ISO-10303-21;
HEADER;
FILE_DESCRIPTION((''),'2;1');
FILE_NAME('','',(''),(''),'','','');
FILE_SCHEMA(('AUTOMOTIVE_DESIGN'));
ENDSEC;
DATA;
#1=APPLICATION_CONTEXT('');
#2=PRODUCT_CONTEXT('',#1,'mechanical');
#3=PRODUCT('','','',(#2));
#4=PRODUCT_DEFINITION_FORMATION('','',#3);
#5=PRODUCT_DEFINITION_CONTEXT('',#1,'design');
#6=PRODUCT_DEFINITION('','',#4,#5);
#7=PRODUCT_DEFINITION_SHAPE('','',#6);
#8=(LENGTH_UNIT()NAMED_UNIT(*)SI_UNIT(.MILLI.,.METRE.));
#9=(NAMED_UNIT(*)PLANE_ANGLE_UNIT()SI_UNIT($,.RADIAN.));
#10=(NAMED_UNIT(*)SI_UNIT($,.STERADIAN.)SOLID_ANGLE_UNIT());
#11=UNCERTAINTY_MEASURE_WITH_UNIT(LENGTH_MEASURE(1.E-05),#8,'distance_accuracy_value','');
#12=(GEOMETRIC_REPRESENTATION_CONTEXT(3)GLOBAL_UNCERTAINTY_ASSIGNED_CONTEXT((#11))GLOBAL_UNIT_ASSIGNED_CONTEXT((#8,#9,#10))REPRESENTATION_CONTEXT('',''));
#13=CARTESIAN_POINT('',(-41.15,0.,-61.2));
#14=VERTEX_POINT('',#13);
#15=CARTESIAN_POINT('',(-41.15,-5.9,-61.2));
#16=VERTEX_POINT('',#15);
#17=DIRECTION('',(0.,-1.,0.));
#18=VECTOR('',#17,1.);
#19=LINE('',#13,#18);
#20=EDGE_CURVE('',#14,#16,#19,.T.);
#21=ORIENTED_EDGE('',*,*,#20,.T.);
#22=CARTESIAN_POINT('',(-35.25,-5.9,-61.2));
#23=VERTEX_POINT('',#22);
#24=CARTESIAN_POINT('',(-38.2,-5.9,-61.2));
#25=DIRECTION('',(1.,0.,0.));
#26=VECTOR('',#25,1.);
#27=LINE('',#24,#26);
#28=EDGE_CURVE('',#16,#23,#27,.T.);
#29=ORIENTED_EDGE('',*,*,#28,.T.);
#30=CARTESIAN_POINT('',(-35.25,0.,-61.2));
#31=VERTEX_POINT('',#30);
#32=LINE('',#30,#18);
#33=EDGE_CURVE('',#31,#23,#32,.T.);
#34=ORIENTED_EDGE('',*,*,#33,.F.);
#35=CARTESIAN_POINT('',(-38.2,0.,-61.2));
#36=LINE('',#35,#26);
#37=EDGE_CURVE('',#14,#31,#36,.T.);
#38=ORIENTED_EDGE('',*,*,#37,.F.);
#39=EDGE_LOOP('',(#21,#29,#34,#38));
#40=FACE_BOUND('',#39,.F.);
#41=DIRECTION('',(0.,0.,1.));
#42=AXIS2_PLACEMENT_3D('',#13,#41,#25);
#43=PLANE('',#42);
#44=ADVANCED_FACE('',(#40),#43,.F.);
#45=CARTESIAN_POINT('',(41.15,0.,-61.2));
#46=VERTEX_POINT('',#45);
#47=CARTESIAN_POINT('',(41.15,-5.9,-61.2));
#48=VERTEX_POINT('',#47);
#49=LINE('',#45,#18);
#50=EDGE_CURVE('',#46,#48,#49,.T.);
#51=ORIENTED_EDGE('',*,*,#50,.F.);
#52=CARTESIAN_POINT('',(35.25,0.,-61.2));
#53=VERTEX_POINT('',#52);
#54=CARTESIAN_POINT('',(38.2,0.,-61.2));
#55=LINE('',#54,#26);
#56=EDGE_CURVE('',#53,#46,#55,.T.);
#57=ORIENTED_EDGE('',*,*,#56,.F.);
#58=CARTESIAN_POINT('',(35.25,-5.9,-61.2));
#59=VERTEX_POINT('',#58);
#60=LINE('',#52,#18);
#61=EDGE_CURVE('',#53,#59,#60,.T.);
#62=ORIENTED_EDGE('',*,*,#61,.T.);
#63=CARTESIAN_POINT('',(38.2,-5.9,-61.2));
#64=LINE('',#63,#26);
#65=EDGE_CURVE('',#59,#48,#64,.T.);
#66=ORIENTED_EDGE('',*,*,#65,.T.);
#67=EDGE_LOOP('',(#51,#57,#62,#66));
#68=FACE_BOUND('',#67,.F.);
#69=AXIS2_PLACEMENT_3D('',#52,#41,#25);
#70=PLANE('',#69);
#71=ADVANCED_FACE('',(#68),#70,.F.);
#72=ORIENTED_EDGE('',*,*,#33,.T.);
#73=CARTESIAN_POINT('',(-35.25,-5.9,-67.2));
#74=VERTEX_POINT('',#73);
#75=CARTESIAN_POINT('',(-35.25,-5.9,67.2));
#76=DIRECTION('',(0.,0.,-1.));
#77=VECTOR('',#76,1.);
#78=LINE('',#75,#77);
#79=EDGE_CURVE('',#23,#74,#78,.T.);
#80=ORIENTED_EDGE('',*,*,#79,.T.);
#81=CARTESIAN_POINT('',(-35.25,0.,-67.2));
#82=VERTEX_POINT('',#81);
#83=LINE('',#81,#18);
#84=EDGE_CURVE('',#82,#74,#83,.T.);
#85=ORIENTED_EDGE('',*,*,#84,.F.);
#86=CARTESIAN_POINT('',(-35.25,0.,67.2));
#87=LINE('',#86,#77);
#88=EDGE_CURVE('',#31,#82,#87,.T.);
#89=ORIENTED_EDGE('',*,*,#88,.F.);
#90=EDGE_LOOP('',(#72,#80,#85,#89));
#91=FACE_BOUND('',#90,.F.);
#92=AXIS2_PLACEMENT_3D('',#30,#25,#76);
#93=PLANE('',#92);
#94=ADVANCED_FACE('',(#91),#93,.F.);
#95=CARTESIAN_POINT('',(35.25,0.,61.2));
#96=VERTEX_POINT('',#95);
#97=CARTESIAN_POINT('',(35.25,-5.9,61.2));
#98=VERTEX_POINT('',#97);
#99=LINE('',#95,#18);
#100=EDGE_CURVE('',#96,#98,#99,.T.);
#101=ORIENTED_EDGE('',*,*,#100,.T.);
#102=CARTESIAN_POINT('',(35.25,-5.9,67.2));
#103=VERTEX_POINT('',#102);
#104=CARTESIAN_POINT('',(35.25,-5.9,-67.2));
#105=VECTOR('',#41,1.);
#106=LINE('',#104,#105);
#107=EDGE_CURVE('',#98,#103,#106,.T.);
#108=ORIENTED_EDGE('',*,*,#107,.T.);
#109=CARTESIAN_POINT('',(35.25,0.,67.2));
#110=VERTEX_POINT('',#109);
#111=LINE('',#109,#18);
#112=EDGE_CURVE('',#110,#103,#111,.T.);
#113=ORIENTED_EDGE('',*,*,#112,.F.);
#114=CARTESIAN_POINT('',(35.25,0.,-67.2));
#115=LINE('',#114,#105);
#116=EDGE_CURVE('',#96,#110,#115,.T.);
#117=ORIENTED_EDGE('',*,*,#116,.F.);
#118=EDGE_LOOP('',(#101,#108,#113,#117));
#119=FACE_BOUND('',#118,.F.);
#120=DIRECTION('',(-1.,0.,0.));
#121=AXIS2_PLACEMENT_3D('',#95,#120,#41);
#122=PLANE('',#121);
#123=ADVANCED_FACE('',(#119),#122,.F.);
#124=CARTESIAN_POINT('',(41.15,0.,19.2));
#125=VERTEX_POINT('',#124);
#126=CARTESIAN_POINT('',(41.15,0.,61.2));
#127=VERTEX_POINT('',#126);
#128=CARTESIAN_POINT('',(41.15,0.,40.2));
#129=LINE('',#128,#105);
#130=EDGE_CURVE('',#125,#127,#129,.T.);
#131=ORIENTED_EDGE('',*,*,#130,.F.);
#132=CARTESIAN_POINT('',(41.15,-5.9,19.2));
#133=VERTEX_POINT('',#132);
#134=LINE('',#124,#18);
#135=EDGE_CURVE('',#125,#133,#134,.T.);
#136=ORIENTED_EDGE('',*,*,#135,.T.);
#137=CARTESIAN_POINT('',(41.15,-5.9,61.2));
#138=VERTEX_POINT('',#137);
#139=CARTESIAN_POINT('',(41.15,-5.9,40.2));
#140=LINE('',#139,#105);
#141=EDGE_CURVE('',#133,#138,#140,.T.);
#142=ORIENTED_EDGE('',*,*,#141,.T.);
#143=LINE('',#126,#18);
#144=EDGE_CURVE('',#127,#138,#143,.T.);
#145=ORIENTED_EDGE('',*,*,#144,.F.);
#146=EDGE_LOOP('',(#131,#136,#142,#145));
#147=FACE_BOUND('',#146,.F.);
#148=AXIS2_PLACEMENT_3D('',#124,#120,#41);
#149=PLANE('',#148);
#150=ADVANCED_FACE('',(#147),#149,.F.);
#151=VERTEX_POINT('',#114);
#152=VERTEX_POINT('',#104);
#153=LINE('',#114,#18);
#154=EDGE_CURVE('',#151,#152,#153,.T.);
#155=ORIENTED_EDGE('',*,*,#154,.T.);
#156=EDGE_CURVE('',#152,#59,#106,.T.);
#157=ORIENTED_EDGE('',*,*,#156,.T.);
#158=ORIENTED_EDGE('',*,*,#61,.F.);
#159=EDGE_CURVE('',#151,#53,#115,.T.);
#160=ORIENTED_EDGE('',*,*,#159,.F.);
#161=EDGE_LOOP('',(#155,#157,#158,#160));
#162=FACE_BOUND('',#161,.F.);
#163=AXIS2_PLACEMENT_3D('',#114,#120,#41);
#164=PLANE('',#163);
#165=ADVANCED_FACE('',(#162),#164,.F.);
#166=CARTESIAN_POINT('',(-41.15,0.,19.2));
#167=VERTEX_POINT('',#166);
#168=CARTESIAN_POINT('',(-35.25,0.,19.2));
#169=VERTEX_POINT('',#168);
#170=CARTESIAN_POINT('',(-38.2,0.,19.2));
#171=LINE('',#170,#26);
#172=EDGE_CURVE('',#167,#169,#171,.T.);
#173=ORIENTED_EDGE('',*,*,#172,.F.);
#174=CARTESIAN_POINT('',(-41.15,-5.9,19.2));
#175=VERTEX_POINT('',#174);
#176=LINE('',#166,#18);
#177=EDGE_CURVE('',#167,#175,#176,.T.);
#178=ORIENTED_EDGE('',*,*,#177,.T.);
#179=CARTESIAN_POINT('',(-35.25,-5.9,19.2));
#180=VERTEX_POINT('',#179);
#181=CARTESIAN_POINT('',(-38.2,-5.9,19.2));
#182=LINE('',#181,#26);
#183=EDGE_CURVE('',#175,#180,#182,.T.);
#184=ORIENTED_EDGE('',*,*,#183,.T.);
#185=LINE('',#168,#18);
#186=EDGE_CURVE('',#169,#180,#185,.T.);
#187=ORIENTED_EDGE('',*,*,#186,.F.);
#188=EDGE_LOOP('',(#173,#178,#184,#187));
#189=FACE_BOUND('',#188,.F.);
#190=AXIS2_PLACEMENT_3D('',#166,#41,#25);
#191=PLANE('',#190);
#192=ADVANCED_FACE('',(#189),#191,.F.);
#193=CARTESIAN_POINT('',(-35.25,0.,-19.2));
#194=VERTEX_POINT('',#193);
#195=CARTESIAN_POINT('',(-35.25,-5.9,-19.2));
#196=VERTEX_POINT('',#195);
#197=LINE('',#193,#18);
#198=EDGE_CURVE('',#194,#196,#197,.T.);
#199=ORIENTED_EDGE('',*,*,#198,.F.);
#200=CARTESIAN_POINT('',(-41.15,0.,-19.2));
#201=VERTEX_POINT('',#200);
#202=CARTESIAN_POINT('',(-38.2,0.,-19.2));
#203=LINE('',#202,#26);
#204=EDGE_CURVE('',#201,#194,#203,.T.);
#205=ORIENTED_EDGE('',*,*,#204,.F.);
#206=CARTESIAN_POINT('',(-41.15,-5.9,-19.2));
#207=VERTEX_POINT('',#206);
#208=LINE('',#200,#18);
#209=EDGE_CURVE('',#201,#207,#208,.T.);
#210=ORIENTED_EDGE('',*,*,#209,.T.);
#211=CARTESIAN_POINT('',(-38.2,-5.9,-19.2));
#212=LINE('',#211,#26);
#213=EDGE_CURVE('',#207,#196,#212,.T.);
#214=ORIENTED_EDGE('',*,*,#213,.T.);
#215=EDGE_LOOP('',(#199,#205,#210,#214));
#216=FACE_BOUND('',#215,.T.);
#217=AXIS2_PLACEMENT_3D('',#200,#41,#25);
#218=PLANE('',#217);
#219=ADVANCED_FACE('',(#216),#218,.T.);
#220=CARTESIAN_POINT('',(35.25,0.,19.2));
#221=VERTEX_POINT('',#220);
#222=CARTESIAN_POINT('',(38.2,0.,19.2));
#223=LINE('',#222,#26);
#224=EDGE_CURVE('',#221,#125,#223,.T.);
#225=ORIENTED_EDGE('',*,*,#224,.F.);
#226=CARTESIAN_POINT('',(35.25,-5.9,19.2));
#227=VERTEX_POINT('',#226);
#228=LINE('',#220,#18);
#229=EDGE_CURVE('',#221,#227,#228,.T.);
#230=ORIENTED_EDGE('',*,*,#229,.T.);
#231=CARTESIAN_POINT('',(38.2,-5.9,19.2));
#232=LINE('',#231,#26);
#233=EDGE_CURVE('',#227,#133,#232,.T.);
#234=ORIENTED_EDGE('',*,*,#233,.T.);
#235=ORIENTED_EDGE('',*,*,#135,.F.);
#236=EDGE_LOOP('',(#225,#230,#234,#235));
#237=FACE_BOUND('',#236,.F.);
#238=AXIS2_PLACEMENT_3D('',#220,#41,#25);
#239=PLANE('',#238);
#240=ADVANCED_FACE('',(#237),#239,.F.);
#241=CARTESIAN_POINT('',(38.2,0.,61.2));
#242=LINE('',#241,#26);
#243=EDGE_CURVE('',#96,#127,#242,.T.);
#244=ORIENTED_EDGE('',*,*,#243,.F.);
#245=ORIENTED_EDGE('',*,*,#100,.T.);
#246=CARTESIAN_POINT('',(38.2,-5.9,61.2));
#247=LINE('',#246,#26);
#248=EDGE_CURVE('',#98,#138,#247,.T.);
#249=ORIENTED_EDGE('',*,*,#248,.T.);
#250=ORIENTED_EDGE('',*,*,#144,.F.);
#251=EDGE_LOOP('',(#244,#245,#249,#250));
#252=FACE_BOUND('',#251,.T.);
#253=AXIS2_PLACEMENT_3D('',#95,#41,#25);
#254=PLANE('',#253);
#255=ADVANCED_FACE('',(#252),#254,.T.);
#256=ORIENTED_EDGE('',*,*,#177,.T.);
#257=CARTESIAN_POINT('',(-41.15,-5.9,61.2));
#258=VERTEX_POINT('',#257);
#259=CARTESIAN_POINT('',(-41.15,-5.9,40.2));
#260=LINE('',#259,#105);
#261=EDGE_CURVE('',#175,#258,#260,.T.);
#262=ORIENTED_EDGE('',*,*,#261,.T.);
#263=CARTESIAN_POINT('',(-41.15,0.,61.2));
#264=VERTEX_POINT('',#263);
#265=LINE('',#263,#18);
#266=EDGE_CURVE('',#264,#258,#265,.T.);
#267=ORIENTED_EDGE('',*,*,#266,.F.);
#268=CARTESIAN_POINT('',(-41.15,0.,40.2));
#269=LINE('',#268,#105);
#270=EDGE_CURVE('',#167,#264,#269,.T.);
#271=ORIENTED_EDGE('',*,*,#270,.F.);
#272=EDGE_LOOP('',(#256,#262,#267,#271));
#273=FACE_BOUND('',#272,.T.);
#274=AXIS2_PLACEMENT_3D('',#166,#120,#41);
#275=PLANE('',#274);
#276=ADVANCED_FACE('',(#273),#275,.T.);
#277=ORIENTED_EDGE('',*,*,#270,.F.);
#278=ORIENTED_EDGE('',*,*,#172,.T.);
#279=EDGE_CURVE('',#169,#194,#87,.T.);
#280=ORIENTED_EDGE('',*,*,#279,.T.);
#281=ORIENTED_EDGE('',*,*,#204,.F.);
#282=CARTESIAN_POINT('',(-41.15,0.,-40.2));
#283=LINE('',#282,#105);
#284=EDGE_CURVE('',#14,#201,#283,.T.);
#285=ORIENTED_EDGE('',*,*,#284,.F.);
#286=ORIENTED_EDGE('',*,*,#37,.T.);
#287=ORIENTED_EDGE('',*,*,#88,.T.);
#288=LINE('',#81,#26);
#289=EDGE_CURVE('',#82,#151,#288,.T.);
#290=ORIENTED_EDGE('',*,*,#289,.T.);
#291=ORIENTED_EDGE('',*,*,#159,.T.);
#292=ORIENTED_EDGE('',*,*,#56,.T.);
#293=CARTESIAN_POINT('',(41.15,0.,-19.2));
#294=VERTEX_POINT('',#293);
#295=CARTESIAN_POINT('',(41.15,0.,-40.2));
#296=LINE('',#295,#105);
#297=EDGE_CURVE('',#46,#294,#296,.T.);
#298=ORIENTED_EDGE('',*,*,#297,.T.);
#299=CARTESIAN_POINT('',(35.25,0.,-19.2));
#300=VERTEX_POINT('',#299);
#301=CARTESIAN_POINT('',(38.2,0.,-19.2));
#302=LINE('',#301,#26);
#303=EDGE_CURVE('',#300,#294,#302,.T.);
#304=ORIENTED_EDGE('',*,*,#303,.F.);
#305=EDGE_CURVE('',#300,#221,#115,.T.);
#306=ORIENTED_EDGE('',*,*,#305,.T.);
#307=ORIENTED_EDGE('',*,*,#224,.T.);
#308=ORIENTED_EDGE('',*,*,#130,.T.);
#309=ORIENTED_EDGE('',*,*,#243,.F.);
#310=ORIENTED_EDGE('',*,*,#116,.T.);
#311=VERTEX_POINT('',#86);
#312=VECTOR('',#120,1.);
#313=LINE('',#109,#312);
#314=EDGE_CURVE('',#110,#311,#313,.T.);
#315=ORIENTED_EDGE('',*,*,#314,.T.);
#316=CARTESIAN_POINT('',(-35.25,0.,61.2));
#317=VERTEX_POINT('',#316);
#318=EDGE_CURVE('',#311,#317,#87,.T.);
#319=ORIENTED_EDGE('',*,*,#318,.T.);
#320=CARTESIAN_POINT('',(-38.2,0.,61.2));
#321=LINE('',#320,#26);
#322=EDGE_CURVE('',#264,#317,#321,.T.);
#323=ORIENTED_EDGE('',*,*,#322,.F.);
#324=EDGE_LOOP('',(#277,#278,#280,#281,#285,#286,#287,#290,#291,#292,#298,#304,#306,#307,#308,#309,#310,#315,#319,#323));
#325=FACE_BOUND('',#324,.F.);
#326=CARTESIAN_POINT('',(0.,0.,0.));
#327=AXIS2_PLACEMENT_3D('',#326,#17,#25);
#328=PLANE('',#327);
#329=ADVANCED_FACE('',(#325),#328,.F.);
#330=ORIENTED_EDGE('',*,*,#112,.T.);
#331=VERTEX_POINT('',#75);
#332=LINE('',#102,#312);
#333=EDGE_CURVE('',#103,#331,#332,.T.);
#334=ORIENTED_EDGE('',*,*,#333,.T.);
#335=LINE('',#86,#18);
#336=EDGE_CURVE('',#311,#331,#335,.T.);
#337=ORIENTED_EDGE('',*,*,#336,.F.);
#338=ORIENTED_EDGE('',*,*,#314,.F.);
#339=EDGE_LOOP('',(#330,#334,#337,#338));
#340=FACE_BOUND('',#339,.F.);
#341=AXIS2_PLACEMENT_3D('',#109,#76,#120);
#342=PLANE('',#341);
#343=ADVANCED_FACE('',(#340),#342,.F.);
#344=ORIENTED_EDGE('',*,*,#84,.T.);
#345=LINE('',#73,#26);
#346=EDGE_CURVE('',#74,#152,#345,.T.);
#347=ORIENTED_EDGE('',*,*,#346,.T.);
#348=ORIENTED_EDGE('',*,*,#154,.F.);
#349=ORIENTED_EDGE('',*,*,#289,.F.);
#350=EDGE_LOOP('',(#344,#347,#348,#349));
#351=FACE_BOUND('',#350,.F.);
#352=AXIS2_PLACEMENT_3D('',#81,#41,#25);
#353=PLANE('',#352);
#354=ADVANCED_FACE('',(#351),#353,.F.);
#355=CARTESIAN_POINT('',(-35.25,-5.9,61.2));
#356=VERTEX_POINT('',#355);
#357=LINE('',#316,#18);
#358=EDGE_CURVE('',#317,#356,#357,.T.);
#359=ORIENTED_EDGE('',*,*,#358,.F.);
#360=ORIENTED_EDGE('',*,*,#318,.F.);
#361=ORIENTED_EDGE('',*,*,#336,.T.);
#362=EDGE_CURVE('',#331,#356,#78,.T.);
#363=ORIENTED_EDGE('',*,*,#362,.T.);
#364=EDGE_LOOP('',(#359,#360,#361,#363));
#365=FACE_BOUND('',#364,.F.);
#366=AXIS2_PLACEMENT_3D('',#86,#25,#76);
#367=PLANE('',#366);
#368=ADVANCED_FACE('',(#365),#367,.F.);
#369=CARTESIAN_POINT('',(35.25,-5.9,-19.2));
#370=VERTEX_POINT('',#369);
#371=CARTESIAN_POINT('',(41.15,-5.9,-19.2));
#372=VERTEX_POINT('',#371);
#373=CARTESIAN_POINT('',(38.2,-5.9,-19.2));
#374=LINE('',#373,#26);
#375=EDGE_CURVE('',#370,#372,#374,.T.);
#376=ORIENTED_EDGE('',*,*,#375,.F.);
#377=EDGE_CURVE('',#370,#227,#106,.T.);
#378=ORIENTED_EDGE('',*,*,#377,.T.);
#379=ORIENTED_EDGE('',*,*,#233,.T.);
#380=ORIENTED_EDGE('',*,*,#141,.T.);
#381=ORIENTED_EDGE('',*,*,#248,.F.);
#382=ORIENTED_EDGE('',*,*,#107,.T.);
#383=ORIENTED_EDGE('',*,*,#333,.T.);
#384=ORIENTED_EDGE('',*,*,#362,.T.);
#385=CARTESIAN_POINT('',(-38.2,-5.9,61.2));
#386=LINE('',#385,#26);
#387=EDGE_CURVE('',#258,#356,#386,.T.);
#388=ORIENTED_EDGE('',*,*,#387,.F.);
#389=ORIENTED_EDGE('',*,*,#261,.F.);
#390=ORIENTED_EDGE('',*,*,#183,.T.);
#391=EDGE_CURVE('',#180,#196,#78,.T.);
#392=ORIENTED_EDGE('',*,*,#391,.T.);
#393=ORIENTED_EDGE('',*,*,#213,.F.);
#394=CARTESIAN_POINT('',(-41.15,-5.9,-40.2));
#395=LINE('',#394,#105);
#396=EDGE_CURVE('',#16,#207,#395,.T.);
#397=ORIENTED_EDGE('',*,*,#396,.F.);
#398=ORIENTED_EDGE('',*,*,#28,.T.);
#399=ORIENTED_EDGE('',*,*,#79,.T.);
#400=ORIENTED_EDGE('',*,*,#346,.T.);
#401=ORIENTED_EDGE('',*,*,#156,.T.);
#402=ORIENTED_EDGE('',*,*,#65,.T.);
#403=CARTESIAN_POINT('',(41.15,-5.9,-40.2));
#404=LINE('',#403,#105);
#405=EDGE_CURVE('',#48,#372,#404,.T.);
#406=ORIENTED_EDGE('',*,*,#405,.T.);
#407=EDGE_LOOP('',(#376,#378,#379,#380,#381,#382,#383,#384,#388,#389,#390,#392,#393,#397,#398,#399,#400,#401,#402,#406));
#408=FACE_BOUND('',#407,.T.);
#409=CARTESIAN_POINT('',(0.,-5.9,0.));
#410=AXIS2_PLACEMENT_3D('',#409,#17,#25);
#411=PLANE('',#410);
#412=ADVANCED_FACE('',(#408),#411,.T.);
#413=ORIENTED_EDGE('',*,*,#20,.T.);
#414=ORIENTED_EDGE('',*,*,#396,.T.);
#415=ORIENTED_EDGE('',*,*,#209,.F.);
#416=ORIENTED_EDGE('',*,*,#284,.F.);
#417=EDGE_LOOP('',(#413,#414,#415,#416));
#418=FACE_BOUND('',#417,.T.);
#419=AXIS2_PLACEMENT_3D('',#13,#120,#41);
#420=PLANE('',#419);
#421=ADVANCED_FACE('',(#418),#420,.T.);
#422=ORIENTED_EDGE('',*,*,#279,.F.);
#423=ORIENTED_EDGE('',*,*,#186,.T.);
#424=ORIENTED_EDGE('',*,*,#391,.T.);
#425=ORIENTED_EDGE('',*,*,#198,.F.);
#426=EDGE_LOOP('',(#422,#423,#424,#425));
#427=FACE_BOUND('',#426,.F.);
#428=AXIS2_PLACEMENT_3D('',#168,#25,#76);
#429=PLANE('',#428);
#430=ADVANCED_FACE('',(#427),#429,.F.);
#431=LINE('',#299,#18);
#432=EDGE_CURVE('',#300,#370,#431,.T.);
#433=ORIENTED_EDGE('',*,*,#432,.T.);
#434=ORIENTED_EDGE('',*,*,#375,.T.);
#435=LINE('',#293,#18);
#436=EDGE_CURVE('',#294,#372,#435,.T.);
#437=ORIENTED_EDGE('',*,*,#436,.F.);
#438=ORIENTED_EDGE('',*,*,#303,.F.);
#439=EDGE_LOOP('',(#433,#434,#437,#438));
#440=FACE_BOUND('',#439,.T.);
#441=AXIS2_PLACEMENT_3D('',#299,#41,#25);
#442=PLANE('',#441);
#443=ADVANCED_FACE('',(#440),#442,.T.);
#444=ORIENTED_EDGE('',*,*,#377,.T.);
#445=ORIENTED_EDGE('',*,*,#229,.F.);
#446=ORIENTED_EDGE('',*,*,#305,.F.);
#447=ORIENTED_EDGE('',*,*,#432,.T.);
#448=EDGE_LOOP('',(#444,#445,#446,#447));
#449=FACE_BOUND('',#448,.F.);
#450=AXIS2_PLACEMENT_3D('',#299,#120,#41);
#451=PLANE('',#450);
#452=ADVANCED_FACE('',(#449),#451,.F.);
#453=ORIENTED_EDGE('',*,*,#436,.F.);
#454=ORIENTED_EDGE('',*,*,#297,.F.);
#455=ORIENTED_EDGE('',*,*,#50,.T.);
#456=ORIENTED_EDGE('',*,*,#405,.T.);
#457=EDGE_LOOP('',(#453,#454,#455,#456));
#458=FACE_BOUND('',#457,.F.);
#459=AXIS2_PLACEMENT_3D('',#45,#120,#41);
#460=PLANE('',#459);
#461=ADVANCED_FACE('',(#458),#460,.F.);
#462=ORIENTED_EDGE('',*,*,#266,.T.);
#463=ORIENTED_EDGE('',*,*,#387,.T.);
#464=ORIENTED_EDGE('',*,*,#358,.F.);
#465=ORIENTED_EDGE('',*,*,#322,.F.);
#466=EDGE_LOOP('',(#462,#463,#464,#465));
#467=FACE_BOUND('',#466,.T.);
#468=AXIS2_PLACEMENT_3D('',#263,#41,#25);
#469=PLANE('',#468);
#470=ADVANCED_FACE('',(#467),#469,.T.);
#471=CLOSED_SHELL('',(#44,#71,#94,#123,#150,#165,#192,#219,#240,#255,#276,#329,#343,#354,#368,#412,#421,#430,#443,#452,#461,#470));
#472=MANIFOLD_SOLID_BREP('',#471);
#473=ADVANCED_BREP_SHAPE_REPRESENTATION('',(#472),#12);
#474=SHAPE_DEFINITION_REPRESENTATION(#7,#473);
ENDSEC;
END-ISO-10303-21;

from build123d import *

# Parameters (mm, degrees)
F0_W     = 5.9
F0_H     = 42
F1_DEPTH = 5.9


with BuildPart() as f1:
    # F0 (on Front) → F1 (new body)
    with BuildSketch(Plane.XZ):
        Polygon((35.25, 61.2), (35.25, 67.2), (-35.25, 67.2), (-35.25, 61.2), (-35.25, 19.2), (-35.25, -19.2), (-35.25, -61.2), (-35.25, -67.2), (35.25, -67.2), (35.25, -61.2), (35.25, -19.2), (35.25, 19.2), align=None)
        with Locations((38.2, 40.2)):
            Rectangle(F0_W, F0_H)
        with Locations((-38.2, 40.2)):
            Rectangle(F0_W, F0_H)
        with Locations((38.2, -40.2)):
            Rectangle(F0_W, F0_H)
        with Locations((-38.2, -40.2)):
            Rectangle(F0_W, F0_H)
    extrude(amount=F1_DEPTH)


solid = f1.part
